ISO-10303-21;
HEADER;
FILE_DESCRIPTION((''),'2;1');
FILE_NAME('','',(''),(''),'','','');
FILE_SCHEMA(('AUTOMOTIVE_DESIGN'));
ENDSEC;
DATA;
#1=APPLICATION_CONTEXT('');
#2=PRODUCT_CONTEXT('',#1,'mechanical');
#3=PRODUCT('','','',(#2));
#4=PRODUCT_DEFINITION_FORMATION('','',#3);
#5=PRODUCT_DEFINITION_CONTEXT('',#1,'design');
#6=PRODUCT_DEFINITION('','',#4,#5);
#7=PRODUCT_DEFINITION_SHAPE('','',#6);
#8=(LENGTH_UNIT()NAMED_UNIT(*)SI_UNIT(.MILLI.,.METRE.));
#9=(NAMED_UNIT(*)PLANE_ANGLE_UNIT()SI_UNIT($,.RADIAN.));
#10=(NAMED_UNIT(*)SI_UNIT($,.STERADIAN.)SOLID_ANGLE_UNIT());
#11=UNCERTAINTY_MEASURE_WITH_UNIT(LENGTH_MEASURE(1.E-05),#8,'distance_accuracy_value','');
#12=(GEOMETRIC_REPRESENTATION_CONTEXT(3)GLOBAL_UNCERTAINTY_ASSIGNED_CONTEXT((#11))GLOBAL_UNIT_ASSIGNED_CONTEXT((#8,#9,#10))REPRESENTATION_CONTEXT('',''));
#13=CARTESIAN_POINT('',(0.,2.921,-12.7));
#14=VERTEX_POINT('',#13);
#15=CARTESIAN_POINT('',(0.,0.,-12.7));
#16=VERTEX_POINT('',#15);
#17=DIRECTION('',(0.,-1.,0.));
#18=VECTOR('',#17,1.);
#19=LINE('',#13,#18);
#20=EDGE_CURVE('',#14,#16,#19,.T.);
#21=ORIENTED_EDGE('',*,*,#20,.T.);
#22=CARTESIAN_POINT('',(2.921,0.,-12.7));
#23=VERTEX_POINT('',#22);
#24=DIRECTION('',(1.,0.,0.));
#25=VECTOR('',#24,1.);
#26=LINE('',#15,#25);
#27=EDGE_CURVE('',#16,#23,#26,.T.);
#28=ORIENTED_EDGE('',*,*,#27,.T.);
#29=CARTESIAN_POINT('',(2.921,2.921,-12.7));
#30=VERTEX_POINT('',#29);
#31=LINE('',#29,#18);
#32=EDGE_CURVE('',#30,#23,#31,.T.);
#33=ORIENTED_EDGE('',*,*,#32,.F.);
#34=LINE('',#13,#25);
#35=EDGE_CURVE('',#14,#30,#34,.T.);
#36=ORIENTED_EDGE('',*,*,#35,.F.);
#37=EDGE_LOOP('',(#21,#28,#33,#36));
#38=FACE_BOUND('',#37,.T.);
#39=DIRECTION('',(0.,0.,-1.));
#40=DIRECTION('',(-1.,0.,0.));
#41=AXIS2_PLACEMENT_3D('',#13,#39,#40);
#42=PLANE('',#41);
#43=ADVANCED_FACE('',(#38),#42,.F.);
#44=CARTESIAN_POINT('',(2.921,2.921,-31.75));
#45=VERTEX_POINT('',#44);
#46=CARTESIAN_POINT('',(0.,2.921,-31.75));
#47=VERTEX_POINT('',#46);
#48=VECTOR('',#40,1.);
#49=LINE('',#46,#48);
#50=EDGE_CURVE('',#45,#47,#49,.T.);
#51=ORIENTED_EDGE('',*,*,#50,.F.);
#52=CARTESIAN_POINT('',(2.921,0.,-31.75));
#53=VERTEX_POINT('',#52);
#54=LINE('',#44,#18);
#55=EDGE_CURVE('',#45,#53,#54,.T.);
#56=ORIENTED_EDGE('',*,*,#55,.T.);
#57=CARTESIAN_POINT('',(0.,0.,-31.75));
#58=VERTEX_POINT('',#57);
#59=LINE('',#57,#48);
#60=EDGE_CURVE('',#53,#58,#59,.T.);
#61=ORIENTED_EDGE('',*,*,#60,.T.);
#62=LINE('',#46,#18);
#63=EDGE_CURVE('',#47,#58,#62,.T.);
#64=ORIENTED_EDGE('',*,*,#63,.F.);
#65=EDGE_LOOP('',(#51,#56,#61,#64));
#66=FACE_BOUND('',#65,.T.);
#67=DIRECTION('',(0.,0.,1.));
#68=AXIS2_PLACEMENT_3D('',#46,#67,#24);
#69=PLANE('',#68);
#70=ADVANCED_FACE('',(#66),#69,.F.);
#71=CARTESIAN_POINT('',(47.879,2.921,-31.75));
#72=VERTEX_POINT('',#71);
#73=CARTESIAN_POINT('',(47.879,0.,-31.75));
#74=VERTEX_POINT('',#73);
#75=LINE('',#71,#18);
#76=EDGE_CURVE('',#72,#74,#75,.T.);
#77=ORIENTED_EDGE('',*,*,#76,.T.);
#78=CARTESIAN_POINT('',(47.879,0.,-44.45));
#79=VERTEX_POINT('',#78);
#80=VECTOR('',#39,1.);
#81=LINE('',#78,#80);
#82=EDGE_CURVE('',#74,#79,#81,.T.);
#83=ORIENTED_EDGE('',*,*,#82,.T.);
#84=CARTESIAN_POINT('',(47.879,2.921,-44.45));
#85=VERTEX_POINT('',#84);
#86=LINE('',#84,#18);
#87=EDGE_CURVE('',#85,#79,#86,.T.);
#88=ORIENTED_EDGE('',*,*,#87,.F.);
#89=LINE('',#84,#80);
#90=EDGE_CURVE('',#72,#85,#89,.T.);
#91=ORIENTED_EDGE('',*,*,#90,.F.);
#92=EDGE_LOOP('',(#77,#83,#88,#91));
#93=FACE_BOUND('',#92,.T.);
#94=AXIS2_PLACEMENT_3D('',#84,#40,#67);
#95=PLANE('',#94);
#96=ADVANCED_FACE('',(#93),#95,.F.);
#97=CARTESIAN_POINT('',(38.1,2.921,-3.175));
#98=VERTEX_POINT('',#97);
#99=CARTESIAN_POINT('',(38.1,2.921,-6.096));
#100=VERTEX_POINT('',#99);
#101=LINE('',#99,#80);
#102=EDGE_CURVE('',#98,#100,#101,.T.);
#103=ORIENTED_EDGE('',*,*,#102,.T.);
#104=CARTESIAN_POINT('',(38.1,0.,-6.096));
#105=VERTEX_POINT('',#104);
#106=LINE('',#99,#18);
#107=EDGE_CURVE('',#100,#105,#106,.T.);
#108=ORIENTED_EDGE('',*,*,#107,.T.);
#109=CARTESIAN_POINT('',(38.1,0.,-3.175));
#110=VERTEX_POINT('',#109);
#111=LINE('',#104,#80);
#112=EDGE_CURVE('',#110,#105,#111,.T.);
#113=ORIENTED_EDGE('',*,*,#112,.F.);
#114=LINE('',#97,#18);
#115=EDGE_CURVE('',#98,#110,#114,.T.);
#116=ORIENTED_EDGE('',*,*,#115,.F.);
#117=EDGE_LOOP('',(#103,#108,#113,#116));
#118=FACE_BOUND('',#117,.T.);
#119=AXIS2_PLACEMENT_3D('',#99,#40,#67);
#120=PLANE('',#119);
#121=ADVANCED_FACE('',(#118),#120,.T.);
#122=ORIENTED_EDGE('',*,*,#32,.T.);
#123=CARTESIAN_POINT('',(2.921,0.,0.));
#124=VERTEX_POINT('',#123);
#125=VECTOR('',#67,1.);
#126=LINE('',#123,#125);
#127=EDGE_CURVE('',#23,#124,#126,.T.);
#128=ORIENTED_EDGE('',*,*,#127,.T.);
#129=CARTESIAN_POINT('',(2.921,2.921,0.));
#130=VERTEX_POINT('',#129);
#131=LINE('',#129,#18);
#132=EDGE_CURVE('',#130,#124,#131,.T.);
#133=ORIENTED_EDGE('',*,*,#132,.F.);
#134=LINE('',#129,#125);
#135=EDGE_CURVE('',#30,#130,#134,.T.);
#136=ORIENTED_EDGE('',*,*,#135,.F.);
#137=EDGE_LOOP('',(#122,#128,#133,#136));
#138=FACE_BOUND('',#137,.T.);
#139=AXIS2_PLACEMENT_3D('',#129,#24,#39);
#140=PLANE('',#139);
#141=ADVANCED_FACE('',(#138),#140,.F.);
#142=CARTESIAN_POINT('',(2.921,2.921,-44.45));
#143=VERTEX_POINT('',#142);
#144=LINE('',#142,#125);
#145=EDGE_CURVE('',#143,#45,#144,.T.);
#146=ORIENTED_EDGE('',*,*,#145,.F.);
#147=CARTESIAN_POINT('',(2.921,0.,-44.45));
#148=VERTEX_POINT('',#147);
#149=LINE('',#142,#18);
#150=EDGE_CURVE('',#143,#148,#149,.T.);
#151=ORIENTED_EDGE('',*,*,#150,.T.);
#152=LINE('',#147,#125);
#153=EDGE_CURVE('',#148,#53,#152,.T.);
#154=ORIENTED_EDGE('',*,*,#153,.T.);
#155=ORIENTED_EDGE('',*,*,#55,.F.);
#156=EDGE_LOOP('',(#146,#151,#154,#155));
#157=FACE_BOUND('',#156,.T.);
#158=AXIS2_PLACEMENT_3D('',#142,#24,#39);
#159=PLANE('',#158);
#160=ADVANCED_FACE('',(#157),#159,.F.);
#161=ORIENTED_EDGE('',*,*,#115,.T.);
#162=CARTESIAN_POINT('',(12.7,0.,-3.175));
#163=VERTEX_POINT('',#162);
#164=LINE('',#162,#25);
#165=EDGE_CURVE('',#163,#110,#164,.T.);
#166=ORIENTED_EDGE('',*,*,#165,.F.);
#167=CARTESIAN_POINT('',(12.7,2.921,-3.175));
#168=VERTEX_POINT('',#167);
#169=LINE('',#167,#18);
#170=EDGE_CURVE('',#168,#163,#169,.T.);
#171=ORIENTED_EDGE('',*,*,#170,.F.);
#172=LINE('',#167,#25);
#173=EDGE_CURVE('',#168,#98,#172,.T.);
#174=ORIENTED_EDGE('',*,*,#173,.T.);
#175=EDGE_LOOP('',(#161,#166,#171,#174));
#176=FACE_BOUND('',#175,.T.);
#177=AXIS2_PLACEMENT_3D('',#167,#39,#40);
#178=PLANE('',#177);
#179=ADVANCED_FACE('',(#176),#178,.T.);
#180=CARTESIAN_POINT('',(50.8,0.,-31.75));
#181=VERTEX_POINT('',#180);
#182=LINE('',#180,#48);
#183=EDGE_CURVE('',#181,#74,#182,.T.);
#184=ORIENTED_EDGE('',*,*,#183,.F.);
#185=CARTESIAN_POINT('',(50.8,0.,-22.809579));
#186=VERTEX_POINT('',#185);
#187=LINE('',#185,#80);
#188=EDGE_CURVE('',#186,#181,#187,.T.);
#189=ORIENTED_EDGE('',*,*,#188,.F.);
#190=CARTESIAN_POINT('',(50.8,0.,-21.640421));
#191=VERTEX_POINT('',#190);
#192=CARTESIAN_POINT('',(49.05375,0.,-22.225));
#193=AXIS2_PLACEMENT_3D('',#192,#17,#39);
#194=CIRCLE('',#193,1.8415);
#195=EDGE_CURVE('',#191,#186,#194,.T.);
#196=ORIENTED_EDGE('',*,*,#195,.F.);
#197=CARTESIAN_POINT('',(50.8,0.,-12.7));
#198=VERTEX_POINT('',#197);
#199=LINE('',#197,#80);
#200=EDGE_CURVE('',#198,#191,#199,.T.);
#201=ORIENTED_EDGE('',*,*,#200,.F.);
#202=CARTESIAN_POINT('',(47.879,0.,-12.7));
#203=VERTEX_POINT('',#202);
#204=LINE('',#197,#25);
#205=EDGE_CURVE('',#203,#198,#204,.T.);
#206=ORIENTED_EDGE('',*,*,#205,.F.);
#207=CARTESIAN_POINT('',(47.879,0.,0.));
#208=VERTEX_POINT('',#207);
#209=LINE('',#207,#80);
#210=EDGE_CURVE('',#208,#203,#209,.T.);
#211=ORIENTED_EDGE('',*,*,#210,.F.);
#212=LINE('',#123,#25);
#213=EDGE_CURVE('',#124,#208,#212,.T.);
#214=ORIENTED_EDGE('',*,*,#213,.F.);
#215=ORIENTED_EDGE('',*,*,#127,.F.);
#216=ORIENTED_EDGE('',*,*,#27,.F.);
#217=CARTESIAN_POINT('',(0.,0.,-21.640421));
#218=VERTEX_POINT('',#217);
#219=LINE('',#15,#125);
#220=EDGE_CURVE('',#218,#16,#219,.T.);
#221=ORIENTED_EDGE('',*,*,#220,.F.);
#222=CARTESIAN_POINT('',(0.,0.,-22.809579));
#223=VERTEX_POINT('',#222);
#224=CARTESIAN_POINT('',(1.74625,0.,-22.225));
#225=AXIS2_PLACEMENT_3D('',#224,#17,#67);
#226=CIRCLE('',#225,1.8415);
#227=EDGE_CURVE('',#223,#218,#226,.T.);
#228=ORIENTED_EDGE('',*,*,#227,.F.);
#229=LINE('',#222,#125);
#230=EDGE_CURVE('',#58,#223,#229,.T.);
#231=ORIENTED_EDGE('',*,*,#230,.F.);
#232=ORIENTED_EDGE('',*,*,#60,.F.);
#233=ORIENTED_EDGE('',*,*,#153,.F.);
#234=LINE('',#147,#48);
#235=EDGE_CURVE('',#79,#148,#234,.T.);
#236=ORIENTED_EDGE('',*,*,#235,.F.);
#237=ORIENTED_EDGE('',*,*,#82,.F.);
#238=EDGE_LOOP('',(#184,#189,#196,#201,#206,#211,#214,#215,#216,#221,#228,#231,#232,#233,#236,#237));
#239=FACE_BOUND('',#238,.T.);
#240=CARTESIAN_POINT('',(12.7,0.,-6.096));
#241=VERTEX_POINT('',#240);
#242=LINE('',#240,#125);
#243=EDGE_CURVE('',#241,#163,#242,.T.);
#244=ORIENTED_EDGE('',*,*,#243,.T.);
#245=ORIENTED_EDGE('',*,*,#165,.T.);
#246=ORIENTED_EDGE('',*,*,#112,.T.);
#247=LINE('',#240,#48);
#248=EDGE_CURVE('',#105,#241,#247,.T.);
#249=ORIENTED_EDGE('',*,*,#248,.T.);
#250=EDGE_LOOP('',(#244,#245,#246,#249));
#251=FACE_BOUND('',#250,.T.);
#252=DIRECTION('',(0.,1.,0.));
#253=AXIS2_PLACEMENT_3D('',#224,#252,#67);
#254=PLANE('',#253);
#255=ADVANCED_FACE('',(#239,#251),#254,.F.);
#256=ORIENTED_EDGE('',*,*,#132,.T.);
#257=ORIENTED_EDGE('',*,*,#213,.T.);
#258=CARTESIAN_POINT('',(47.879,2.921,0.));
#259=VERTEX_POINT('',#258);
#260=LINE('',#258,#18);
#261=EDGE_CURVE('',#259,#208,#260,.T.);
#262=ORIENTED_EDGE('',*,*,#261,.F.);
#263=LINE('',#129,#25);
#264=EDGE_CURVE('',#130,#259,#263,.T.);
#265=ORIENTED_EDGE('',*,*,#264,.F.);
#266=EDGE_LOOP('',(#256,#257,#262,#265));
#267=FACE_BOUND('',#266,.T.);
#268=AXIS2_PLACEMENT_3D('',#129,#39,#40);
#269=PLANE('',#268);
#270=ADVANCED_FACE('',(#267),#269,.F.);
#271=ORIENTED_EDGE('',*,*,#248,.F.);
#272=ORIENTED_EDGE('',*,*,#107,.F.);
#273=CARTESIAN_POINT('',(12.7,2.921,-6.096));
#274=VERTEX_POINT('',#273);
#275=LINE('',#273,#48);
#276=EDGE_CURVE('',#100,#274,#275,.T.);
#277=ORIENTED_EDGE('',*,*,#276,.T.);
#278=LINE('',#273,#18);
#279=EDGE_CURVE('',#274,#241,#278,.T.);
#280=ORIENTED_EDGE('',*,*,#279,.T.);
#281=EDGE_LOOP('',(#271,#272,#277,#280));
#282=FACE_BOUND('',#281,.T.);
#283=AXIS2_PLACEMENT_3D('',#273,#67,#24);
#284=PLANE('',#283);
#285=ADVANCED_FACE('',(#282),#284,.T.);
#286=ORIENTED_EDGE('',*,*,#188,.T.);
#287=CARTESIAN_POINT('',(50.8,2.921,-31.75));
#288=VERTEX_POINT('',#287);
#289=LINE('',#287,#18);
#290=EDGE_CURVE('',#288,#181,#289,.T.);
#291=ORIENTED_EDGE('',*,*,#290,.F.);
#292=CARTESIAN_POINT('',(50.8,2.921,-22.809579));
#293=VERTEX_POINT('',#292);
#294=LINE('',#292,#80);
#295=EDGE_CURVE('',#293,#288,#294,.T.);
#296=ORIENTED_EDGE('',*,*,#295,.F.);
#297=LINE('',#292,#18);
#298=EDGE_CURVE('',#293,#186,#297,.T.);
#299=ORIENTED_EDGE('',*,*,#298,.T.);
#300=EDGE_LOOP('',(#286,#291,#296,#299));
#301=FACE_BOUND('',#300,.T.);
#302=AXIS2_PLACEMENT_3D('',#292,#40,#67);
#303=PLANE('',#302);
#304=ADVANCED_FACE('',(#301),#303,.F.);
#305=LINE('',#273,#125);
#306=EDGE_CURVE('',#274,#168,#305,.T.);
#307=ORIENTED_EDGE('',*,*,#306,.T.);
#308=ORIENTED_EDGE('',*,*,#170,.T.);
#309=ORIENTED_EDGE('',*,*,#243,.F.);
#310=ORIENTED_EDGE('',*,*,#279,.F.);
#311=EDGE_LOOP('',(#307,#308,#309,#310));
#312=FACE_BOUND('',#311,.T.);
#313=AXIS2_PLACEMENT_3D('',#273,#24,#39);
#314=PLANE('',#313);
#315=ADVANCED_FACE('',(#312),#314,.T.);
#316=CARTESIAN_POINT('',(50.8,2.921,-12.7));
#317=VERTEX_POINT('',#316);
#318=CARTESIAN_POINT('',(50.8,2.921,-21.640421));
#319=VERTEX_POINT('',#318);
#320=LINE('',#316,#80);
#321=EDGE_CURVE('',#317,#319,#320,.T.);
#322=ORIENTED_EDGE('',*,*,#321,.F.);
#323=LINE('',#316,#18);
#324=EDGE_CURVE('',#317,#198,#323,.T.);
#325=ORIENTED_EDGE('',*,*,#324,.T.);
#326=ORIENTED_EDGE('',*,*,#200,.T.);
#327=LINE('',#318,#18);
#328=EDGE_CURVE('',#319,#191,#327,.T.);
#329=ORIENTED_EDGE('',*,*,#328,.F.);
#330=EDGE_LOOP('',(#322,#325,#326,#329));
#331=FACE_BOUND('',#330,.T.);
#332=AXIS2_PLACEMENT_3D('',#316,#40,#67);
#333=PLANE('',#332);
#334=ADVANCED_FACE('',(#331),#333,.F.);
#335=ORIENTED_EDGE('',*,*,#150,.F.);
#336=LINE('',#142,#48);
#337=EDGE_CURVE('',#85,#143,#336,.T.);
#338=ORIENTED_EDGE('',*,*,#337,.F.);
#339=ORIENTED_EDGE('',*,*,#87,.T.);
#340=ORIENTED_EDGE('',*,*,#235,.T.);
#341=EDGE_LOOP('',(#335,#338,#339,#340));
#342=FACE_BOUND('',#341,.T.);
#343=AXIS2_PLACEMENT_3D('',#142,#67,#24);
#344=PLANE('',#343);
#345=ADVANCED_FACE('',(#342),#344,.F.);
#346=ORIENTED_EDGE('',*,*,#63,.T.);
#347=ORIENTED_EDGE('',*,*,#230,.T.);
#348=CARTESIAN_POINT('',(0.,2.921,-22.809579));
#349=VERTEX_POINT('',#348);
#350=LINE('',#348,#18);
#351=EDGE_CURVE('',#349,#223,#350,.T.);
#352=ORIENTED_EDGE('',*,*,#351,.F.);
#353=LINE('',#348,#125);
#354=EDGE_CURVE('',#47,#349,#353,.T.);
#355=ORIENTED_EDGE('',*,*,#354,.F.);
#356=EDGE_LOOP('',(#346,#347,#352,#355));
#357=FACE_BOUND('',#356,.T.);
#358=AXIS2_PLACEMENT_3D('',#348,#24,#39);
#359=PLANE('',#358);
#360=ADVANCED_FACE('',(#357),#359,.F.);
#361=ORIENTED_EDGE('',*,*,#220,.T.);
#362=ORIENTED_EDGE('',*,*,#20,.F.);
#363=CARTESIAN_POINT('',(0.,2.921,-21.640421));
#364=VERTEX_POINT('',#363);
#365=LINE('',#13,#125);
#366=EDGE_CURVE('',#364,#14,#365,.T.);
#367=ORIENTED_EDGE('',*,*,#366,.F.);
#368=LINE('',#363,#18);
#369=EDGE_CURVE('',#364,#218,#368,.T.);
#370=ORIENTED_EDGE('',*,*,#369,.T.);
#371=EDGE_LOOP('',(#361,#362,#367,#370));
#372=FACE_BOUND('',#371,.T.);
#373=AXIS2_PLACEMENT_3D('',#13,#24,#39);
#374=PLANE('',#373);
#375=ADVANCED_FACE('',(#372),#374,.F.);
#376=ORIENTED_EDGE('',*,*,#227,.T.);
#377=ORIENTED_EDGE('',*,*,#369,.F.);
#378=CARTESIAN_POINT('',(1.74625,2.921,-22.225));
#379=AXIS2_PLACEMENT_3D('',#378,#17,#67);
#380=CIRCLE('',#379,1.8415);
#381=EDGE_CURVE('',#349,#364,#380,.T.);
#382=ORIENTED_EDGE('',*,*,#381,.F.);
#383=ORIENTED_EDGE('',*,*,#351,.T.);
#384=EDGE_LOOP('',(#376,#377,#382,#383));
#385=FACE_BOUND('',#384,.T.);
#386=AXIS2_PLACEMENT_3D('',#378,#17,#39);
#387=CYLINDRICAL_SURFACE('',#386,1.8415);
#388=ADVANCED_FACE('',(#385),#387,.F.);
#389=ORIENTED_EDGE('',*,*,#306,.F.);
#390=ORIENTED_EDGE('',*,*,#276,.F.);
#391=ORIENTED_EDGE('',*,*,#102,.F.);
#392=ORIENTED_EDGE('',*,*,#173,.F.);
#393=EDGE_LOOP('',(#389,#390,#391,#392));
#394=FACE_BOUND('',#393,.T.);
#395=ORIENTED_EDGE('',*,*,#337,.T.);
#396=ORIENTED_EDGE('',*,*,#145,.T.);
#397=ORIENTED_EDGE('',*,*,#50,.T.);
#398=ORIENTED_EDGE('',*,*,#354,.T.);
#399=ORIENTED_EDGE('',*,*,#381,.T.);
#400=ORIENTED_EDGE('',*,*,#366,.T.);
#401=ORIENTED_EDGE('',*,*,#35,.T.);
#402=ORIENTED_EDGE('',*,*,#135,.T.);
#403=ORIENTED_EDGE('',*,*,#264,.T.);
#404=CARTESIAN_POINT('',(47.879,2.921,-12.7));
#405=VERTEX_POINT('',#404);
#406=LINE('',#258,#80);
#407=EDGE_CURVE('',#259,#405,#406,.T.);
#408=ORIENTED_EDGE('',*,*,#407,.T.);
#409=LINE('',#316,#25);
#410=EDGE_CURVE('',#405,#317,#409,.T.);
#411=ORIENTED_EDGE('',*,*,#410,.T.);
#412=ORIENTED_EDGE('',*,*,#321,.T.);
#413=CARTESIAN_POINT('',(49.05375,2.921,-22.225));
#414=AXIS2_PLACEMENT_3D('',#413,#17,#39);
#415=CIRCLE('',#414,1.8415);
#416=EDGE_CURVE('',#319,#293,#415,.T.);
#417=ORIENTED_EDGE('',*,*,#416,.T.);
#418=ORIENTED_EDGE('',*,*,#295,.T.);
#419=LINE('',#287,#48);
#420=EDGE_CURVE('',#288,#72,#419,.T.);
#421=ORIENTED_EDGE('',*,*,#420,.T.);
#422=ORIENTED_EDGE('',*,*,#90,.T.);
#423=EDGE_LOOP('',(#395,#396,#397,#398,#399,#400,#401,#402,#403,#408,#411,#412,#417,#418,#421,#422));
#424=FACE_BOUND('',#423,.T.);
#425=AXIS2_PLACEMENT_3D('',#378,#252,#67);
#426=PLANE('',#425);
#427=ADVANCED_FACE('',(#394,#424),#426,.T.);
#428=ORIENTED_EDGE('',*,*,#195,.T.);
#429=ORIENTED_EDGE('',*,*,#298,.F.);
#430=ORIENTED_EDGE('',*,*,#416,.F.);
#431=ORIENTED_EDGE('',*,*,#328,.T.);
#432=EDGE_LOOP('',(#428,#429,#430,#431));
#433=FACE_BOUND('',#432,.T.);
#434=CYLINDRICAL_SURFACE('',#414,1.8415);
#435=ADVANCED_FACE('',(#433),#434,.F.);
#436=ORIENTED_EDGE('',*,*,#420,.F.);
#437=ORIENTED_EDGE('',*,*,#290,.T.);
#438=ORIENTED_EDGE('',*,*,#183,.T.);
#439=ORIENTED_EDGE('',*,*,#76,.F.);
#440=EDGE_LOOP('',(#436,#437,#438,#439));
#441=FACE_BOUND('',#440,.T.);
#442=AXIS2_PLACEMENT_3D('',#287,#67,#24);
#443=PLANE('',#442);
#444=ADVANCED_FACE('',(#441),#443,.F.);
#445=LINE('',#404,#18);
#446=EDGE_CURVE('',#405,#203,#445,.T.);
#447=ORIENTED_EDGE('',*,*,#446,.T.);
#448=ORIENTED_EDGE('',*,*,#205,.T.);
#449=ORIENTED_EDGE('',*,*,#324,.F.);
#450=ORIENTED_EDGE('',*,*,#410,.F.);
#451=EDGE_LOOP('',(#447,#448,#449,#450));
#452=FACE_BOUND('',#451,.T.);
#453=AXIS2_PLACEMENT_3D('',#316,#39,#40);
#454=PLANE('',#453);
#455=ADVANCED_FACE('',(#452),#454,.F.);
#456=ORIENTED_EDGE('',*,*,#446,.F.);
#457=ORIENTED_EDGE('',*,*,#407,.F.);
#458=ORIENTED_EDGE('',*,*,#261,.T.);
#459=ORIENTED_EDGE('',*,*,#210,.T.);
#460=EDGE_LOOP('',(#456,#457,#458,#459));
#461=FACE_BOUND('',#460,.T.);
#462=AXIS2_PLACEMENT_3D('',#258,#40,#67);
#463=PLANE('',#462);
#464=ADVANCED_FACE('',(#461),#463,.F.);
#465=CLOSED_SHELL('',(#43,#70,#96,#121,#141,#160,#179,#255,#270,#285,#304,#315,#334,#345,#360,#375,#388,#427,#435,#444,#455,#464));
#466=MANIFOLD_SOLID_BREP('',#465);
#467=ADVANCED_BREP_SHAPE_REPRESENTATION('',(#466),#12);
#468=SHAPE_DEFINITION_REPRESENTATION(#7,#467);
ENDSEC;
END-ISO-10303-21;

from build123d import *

# Parameters (mm, degrees)
SKETCH1_W           = 25.4
SKETCH1_H           = 2.921
BOSS_EXTRUDE1_DEPTH = 2.921


with BuildPart() as part:
    # Sketch1 → Boss-Extrude1 (new body)
    with BuildSketch(Plane(origin=(0, 0, 0), x_dir=(1, 0, 0), z_dir=(0, 1, 0))):
        with BuildLine():
            Line((2.921, 0), (47.879, 0))
            Line((47.879, 0), (47.879, 12.7))
            Line((47.879, 12.7), (50.8, 12.7))
            Line((50.8, 12.7), (50.8, 21.640420504))
            ThreePointArc((50.8, 21.640420504), (47.21225, 22.225), (50.8, 22.809579496))
            Line((50.8, 22.809579496), (50.8, 31.75))
            Line((50.8, 31.75), (47.879, 31.75))
            Line((47.879, 31.75), (47.879, 44.45))
            Line((47.879, 44.45), (2.921, 44.45))
            Line((2.921, 44.45), (2.921, 31.75))
            Line((2.921, 31.75), (0, 31.75))
            Line((0, 31.75), (0, 22.809579496))
            ThreePointArc((0, 22.809579496), (3.58775, 22.225), (0, 21.640420504))
            Line((0, 21.640420504), (0, 12.7))
            Line((0, 12.7), (2.921, 12.7))
            Line((2.921, 12.7), (2.921, 0))
        make_face()
        with Locations((25.4, 4.6355)):
            Rectangle(SKETCH1_W, SKETCH1_H, mode=Mode.SUBTRACT)
    extrude(amount=BOSS_EXTRUDE1_DEPTH)


solid = part.part
